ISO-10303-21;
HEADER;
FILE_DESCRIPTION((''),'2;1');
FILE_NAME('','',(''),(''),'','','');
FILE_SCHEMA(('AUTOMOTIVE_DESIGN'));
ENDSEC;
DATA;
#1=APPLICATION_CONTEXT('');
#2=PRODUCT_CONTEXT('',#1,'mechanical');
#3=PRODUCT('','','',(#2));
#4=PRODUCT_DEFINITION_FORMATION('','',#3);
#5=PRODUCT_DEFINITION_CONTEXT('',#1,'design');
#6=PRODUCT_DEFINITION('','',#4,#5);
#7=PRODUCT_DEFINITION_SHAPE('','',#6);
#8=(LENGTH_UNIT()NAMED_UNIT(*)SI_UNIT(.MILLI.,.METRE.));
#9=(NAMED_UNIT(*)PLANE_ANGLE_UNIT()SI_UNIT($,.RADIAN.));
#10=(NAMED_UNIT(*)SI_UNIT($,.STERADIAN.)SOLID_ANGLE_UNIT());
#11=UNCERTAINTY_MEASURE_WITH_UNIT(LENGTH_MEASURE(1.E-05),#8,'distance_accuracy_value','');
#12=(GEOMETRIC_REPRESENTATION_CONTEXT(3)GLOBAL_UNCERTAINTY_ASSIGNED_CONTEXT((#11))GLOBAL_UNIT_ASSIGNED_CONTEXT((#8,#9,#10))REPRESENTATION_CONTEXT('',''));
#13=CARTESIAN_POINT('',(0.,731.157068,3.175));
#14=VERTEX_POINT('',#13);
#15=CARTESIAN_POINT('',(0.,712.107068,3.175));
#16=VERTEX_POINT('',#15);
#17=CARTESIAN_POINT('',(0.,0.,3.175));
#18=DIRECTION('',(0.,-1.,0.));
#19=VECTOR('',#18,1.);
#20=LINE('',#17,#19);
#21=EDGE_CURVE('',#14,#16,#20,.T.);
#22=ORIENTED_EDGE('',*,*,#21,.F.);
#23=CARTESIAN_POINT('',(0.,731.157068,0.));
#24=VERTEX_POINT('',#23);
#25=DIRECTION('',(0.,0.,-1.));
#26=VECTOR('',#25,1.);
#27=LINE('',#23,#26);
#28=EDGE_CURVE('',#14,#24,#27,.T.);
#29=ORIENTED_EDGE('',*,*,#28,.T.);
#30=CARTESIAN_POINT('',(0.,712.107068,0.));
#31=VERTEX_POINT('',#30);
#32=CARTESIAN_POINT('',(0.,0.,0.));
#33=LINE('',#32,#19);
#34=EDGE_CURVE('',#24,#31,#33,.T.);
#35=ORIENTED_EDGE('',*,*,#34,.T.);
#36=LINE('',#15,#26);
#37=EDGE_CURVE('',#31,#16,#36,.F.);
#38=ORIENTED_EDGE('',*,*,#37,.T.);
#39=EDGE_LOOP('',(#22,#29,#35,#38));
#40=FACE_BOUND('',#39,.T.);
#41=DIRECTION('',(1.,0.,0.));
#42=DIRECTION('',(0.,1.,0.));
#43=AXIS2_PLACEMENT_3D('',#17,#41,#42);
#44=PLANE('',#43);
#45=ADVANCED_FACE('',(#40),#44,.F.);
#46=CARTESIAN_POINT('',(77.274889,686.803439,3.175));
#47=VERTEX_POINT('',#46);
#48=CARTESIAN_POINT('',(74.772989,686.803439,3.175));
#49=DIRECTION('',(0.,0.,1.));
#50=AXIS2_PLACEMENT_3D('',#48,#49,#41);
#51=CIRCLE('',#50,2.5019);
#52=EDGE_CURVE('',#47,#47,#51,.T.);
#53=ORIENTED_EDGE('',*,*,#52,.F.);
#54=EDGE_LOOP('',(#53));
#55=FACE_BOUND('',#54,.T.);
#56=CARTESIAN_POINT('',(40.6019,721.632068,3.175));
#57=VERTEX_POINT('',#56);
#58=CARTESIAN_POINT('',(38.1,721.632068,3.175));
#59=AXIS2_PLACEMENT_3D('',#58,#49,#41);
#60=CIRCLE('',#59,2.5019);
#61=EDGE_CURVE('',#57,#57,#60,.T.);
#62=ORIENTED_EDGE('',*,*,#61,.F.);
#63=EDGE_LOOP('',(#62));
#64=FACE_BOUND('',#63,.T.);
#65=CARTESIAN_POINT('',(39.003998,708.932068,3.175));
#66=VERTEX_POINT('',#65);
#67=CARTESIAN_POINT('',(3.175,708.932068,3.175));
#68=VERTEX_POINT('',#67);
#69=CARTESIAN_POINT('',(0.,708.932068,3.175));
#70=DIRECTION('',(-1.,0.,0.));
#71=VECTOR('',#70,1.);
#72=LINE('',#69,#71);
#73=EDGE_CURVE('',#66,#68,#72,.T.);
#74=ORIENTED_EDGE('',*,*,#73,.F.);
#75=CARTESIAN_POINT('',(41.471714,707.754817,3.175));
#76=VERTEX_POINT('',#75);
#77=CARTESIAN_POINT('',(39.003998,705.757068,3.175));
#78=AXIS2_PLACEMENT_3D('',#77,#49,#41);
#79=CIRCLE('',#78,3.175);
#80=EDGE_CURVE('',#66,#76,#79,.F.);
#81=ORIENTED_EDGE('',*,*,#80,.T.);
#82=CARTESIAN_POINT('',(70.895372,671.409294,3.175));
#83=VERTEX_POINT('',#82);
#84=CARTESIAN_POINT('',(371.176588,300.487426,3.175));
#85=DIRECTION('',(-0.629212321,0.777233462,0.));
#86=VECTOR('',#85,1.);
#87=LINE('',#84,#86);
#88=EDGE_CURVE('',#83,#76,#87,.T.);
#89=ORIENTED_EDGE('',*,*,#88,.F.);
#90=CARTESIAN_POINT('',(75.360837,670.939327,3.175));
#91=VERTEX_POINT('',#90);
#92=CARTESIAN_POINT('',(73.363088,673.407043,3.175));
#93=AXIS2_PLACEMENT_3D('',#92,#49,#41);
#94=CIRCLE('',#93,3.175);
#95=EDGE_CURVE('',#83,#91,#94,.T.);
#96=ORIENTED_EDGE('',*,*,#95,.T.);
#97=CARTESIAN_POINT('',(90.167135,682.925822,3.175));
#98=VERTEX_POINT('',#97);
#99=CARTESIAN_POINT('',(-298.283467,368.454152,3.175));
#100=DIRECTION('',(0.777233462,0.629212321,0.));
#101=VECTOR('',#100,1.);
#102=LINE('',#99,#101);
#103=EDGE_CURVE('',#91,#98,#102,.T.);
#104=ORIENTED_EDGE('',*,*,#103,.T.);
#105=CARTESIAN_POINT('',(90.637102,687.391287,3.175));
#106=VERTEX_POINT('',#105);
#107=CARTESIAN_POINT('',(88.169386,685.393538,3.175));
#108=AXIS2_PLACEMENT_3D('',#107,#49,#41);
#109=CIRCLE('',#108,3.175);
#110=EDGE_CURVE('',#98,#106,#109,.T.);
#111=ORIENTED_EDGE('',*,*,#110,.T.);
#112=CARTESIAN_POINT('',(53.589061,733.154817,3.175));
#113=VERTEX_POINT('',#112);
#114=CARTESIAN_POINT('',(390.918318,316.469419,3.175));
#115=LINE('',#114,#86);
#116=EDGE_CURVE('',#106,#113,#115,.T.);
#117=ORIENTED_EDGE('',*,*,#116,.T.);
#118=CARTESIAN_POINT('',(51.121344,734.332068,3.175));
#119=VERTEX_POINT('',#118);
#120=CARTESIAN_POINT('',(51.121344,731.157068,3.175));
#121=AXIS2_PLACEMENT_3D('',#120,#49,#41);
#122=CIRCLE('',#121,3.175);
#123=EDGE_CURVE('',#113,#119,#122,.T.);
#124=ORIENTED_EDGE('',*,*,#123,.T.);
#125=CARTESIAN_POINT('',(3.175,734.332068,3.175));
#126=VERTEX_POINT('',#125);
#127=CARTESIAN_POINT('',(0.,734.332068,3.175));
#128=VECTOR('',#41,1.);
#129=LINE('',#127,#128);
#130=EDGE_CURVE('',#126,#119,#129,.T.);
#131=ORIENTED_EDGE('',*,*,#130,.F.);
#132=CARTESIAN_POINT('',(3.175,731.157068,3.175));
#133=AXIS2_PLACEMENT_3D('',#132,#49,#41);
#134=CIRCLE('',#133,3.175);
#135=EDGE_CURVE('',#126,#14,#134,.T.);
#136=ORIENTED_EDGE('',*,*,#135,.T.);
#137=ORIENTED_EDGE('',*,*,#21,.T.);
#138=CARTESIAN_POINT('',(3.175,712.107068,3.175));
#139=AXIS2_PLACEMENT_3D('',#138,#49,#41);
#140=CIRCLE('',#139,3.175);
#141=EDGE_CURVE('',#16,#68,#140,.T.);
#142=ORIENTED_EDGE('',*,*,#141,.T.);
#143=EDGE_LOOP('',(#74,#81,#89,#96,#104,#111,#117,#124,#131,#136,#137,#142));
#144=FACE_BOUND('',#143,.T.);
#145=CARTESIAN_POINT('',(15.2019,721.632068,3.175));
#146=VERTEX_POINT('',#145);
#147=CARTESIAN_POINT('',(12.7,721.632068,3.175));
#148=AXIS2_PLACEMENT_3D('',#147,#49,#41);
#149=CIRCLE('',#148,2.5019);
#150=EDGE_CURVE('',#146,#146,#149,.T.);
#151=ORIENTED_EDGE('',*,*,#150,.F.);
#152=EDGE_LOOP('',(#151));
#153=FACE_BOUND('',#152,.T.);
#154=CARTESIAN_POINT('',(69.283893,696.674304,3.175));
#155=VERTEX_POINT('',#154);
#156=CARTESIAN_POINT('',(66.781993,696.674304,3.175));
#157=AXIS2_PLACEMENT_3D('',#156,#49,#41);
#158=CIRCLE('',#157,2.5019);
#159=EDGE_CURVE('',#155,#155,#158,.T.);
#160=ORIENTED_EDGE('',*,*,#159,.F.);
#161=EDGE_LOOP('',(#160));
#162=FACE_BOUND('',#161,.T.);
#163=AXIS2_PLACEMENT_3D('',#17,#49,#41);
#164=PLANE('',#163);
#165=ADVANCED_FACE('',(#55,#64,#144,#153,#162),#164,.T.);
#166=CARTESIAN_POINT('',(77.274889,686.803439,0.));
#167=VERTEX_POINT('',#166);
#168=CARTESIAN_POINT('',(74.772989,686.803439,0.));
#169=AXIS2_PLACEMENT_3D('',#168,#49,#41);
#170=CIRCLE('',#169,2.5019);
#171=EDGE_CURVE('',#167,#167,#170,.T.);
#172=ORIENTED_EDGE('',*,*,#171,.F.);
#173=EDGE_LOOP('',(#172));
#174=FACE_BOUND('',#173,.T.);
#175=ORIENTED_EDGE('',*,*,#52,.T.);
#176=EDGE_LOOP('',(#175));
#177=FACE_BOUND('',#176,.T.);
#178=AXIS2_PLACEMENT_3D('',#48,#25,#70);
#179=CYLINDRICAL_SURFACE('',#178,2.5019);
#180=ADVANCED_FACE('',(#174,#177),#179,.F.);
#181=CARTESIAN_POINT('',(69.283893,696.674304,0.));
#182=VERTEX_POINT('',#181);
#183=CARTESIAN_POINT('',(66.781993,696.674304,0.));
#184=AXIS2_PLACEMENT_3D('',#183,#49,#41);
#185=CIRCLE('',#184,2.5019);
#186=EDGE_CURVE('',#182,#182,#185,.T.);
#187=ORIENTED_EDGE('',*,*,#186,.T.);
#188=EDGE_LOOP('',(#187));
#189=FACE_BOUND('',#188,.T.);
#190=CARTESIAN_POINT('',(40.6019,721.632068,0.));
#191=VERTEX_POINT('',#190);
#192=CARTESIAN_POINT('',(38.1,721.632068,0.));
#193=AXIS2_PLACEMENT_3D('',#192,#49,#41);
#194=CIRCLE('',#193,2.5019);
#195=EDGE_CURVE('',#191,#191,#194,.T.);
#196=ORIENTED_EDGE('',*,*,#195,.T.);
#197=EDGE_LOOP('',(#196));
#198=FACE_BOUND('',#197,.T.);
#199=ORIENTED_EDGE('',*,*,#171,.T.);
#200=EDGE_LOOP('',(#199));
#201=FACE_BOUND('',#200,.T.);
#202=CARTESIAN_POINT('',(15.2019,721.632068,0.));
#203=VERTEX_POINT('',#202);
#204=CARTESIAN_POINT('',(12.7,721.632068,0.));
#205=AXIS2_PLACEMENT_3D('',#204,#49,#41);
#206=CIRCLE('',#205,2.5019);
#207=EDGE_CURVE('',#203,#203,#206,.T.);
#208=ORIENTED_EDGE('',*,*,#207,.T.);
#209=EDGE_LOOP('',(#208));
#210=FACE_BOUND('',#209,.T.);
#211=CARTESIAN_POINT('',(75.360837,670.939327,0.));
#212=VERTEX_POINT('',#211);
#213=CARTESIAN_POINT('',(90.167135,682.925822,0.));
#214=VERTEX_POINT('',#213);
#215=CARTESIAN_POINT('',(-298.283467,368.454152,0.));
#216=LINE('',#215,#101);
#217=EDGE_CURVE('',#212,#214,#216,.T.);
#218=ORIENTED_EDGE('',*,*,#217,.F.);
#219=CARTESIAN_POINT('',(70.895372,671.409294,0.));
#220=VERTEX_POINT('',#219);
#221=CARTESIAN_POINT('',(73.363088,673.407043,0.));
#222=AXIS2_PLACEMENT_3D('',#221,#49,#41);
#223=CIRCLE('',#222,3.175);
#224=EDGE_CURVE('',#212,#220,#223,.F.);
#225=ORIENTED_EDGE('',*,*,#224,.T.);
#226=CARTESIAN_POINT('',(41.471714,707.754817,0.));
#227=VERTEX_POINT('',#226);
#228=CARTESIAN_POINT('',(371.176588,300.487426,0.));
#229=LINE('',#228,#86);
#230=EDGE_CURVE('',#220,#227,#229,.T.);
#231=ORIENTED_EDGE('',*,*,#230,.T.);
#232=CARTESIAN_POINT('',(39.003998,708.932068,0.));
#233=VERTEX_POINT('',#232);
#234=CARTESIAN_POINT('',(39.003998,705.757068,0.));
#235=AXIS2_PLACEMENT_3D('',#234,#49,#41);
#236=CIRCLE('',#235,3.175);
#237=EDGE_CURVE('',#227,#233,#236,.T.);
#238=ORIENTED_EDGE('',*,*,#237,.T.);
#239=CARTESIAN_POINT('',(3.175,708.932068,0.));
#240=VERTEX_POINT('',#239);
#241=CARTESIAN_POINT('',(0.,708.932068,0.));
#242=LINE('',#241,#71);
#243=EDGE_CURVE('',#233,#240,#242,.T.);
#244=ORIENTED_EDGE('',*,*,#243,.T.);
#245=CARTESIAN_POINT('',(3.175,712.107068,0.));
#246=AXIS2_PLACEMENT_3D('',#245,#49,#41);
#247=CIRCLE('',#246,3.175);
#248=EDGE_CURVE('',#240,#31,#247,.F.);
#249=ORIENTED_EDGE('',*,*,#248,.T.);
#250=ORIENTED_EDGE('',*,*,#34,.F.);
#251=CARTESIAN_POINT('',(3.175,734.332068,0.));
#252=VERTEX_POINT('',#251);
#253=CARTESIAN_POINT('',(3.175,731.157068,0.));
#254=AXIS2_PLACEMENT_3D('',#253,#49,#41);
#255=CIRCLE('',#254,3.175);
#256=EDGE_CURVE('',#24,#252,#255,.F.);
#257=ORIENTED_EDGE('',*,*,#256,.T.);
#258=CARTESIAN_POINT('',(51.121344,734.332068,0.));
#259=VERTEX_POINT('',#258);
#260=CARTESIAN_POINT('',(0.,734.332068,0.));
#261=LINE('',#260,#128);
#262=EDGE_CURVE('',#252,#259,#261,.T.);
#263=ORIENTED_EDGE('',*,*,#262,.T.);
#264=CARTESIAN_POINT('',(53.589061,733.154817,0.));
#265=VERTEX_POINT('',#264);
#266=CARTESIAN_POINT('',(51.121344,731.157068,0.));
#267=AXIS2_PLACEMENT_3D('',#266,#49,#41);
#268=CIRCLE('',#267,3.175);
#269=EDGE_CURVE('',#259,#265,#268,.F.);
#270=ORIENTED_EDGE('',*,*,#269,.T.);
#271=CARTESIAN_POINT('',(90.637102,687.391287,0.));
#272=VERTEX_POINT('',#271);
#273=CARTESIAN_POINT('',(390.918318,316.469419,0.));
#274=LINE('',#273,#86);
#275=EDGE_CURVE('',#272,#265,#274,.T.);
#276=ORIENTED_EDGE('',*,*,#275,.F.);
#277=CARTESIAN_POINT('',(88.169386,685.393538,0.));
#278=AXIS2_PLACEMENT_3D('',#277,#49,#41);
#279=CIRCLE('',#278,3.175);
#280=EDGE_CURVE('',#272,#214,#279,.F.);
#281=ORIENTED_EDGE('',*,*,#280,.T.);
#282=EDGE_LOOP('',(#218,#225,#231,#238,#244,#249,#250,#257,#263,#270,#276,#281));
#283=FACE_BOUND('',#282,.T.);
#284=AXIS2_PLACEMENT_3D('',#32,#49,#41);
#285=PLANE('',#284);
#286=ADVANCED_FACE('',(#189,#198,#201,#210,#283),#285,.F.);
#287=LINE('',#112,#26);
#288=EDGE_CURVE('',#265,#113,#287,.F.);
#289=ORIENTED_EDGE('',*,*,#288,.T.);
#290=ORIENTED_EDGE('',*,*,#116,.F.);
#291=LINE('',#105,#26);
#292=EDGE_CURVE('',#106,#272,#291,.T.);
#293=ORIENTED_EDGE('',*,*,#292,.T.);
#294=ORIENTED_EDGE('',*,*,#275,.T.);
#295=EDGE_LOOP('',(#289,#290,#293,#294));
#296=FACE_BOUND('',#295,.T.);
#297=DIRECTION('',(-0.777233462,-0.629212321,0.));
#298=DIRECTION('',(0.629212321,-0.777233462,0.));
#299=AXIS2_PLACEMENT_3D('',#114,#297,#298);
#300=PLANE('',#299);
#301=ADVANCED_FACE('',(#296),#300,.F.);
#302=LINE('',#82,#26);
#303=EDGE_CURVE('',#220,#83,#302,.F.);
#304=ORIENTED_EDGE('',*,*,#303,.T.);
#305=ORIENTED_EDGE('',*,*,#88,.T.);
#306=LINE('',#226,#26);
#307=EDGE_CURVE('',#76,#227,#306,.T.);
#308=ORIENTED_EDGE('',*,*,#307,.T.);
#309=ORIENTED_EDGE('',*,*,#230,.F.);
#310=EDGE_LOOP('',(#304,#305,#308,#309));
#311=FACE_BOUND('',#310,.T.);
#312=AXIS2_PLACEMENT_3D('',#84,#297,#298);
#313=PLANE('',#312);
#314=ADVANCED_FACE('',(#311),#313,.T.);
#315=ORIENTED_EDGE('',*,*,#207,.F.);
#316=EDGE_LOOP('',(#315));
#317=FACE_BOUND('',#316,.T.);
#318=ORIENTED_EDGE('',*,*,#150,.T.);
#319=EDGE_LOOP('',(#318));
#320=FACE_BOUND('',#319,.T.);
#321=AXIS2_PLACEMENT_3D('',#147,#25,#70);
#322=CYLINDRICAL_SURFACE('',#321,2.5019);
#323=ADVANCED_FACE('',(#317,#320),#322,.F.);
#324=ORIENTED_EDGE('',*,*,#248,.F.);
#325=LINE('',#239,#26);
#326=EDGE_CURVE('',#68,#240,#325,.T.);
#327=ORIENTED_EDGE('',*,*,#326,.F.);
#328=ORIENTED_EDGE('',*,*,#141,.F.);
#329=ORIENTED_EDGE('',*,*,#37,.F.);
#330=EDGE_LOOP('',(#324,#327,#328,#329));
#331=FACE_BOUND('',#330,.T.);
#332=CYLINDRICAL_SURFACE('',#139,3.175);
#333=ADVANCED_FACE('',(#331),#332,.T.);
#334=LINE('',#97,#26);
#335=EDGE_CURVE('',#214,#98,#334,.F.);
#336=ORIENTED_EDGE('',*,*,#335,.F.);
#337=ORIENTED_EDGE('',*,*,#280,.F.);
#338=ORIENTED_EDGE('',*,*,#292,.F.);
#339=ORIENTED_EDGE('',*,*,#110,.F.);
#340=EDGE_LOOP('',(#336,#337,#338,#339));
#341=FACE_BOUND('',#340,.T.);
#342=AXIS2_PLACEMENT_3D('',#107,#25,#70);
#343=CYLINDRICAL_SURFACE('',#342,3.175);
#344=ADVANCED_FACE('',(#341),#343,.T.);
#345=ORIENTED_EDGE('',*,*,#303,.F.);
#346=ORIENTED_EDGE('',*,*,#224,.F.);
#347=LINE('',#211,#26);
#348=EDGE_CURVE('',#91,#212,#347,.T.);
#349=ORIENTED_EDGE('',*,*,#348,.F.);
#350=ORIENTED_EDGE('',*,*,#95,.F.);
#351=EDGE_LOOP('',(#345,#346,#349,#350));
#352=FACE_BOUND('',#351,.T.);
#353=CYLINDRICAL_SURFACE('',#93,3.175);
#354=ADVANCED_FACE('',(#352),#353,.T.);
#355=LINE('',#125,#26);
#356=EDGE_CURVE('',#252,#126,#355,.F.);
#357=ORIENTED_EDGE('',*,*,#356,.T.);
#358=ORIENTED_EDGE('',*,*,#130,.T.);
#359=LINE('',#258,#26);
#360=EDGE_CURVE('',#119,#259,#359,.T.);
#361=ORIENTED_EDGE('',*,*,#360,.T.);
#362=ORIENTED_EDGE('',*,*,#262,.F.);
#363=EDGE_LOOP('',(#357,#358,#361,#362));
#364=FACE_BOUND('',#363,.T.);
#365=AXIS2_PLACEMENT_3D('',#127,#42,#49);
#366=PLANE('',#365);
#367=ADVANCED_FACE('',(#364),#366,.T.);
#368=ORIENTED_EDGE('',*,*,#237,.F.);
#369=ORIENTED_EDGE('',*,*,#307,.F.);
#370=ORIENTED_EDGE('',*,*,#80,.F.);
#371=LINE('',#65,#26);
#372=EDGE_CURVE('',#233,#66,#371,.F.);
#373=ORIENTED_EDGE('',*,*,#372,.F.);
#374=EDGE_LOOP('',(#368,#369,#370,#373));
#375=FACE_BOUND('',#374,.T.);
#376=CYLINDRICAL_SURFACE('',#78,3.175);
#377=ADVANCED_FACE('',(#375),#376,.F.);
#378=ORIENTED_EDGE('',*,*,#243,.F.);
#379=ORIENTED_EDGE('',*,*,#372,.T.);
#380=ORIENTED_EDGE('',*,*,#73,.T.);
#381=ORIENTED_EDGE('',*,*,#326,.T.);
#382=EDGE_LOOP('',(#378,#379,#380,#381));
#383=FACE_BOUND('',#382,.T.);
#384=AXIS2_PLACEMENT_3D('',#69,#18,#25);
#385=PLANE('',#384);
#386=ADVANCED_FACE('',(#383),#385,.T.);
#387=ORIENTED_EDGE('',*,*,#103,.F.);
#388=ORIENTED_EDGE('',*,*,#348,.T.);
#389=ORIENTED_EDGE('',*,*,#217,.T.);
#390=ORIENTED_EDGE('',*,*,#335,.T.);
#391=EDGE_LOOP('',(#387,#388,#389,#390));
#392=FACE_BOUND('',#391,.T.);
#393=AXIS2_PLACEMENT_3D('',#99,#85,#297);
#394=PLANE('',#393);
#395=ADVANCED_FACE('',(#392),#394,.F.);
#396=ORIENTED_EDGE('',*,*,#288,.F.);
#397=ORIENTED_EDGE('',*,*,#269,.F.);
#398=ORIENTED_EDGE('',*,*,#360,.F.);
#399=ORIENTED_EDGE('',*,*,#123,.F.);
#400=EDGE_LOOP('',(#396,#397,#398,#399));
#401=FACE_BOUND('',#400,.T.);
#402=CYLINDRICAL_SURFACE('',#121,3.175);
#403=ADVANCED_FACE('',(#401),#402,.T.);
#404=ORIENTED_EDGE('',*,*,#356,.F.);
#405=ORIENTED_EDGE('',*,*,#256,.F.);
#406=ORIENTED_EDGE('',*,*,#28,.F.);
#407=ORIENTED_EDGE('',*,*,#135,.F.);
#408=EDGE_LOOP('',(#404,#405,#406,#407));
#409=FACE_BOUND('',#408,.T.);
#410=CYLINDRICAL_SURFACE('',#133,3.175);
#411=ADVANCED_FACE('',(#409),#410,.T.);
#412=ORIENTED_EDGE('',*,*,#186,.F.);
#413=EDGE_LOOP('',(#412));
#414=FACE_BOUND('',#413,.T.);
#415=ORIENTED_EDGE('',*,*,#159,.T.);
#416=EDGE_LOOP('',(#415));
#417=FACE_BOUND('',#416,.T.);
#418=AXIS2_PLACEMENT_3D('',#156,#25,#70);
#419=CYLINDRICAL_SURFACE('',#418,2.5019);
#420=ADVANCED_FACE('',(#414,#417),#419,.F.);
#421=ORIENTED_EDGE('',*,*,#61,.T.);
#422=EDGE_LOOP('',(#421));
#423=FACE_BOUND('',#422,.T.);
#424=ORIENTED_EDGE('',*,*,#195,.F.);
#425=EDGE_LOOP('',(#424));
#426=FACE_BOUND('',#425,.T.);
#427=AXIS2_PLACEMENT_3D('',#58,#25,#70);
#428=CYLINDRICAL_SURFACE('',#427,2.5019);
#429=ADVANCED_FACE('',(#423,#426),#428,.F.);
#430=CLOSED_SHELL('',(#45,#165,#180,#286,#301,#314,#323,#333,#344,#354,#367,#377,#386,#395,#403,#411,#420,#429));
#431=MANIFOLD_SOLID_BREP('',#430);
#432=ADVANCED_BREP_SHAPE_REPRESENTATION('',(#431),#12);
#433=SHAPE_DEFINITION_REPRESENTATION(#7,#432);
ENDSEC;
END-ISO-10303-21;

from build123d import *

# Parameters (mm, degrees)
SKETCH1_R           = 2.5019
BOSS_EXTRUDE1_DEPTH = 3.175
FILLET1_R           = 3.175


with BuildPart() as part:
    # Sketch1 → Boss-Extrude1 (new body)
    with BuildSketch(Plane.XY):
        Polygon((50.8, 696.232068306), (72.893120941, 668.941577789), (92.634850884, 684.923570745), (52.636012774, 734.332068306), (0, 734.332068306), (0, 708.932068306), (40.518666443, 708.932068306), align=None)
        with Locations((66.781992956, 696.67430421)):
            Circle(SKETCH1_R, mode=Mode.SUBTRACT)
        with Locations((74.772989434, 686.803439238)):
            Circle(SKETCH1_R, mode=Mode.SUBTRACT)
        with Locations((12.7, 721.632068306)):
            Circle(SKETCH1_R, mode=Mode.SUBTRACT)
        with Locations((38.1, 721.632068306)):
            Circle(SKETCH1_R, mode=Mode.SUBTRACT)
    extrude(amount=BOSS_EXTRUDE1_DEPTH)

    # Fillet1
    fillet1_edges = [part.edges().sort_by_distance(p)[0] for p in [
        (52.636012774, 734.332068306, 1.5875),
        (92.634850884, 684.923570745, 1.5875),
        (72.893120941, 668.941577789, 1.5875),
        (40.518666443, 708.932068306, 1.5875),
        (0, 708.932068306, 1.5875),
        (0, 734.332068306, 1.5875),
    ]]
    fillet(fillet1_edges, radius=FILLET1_R)


solid = part.part
